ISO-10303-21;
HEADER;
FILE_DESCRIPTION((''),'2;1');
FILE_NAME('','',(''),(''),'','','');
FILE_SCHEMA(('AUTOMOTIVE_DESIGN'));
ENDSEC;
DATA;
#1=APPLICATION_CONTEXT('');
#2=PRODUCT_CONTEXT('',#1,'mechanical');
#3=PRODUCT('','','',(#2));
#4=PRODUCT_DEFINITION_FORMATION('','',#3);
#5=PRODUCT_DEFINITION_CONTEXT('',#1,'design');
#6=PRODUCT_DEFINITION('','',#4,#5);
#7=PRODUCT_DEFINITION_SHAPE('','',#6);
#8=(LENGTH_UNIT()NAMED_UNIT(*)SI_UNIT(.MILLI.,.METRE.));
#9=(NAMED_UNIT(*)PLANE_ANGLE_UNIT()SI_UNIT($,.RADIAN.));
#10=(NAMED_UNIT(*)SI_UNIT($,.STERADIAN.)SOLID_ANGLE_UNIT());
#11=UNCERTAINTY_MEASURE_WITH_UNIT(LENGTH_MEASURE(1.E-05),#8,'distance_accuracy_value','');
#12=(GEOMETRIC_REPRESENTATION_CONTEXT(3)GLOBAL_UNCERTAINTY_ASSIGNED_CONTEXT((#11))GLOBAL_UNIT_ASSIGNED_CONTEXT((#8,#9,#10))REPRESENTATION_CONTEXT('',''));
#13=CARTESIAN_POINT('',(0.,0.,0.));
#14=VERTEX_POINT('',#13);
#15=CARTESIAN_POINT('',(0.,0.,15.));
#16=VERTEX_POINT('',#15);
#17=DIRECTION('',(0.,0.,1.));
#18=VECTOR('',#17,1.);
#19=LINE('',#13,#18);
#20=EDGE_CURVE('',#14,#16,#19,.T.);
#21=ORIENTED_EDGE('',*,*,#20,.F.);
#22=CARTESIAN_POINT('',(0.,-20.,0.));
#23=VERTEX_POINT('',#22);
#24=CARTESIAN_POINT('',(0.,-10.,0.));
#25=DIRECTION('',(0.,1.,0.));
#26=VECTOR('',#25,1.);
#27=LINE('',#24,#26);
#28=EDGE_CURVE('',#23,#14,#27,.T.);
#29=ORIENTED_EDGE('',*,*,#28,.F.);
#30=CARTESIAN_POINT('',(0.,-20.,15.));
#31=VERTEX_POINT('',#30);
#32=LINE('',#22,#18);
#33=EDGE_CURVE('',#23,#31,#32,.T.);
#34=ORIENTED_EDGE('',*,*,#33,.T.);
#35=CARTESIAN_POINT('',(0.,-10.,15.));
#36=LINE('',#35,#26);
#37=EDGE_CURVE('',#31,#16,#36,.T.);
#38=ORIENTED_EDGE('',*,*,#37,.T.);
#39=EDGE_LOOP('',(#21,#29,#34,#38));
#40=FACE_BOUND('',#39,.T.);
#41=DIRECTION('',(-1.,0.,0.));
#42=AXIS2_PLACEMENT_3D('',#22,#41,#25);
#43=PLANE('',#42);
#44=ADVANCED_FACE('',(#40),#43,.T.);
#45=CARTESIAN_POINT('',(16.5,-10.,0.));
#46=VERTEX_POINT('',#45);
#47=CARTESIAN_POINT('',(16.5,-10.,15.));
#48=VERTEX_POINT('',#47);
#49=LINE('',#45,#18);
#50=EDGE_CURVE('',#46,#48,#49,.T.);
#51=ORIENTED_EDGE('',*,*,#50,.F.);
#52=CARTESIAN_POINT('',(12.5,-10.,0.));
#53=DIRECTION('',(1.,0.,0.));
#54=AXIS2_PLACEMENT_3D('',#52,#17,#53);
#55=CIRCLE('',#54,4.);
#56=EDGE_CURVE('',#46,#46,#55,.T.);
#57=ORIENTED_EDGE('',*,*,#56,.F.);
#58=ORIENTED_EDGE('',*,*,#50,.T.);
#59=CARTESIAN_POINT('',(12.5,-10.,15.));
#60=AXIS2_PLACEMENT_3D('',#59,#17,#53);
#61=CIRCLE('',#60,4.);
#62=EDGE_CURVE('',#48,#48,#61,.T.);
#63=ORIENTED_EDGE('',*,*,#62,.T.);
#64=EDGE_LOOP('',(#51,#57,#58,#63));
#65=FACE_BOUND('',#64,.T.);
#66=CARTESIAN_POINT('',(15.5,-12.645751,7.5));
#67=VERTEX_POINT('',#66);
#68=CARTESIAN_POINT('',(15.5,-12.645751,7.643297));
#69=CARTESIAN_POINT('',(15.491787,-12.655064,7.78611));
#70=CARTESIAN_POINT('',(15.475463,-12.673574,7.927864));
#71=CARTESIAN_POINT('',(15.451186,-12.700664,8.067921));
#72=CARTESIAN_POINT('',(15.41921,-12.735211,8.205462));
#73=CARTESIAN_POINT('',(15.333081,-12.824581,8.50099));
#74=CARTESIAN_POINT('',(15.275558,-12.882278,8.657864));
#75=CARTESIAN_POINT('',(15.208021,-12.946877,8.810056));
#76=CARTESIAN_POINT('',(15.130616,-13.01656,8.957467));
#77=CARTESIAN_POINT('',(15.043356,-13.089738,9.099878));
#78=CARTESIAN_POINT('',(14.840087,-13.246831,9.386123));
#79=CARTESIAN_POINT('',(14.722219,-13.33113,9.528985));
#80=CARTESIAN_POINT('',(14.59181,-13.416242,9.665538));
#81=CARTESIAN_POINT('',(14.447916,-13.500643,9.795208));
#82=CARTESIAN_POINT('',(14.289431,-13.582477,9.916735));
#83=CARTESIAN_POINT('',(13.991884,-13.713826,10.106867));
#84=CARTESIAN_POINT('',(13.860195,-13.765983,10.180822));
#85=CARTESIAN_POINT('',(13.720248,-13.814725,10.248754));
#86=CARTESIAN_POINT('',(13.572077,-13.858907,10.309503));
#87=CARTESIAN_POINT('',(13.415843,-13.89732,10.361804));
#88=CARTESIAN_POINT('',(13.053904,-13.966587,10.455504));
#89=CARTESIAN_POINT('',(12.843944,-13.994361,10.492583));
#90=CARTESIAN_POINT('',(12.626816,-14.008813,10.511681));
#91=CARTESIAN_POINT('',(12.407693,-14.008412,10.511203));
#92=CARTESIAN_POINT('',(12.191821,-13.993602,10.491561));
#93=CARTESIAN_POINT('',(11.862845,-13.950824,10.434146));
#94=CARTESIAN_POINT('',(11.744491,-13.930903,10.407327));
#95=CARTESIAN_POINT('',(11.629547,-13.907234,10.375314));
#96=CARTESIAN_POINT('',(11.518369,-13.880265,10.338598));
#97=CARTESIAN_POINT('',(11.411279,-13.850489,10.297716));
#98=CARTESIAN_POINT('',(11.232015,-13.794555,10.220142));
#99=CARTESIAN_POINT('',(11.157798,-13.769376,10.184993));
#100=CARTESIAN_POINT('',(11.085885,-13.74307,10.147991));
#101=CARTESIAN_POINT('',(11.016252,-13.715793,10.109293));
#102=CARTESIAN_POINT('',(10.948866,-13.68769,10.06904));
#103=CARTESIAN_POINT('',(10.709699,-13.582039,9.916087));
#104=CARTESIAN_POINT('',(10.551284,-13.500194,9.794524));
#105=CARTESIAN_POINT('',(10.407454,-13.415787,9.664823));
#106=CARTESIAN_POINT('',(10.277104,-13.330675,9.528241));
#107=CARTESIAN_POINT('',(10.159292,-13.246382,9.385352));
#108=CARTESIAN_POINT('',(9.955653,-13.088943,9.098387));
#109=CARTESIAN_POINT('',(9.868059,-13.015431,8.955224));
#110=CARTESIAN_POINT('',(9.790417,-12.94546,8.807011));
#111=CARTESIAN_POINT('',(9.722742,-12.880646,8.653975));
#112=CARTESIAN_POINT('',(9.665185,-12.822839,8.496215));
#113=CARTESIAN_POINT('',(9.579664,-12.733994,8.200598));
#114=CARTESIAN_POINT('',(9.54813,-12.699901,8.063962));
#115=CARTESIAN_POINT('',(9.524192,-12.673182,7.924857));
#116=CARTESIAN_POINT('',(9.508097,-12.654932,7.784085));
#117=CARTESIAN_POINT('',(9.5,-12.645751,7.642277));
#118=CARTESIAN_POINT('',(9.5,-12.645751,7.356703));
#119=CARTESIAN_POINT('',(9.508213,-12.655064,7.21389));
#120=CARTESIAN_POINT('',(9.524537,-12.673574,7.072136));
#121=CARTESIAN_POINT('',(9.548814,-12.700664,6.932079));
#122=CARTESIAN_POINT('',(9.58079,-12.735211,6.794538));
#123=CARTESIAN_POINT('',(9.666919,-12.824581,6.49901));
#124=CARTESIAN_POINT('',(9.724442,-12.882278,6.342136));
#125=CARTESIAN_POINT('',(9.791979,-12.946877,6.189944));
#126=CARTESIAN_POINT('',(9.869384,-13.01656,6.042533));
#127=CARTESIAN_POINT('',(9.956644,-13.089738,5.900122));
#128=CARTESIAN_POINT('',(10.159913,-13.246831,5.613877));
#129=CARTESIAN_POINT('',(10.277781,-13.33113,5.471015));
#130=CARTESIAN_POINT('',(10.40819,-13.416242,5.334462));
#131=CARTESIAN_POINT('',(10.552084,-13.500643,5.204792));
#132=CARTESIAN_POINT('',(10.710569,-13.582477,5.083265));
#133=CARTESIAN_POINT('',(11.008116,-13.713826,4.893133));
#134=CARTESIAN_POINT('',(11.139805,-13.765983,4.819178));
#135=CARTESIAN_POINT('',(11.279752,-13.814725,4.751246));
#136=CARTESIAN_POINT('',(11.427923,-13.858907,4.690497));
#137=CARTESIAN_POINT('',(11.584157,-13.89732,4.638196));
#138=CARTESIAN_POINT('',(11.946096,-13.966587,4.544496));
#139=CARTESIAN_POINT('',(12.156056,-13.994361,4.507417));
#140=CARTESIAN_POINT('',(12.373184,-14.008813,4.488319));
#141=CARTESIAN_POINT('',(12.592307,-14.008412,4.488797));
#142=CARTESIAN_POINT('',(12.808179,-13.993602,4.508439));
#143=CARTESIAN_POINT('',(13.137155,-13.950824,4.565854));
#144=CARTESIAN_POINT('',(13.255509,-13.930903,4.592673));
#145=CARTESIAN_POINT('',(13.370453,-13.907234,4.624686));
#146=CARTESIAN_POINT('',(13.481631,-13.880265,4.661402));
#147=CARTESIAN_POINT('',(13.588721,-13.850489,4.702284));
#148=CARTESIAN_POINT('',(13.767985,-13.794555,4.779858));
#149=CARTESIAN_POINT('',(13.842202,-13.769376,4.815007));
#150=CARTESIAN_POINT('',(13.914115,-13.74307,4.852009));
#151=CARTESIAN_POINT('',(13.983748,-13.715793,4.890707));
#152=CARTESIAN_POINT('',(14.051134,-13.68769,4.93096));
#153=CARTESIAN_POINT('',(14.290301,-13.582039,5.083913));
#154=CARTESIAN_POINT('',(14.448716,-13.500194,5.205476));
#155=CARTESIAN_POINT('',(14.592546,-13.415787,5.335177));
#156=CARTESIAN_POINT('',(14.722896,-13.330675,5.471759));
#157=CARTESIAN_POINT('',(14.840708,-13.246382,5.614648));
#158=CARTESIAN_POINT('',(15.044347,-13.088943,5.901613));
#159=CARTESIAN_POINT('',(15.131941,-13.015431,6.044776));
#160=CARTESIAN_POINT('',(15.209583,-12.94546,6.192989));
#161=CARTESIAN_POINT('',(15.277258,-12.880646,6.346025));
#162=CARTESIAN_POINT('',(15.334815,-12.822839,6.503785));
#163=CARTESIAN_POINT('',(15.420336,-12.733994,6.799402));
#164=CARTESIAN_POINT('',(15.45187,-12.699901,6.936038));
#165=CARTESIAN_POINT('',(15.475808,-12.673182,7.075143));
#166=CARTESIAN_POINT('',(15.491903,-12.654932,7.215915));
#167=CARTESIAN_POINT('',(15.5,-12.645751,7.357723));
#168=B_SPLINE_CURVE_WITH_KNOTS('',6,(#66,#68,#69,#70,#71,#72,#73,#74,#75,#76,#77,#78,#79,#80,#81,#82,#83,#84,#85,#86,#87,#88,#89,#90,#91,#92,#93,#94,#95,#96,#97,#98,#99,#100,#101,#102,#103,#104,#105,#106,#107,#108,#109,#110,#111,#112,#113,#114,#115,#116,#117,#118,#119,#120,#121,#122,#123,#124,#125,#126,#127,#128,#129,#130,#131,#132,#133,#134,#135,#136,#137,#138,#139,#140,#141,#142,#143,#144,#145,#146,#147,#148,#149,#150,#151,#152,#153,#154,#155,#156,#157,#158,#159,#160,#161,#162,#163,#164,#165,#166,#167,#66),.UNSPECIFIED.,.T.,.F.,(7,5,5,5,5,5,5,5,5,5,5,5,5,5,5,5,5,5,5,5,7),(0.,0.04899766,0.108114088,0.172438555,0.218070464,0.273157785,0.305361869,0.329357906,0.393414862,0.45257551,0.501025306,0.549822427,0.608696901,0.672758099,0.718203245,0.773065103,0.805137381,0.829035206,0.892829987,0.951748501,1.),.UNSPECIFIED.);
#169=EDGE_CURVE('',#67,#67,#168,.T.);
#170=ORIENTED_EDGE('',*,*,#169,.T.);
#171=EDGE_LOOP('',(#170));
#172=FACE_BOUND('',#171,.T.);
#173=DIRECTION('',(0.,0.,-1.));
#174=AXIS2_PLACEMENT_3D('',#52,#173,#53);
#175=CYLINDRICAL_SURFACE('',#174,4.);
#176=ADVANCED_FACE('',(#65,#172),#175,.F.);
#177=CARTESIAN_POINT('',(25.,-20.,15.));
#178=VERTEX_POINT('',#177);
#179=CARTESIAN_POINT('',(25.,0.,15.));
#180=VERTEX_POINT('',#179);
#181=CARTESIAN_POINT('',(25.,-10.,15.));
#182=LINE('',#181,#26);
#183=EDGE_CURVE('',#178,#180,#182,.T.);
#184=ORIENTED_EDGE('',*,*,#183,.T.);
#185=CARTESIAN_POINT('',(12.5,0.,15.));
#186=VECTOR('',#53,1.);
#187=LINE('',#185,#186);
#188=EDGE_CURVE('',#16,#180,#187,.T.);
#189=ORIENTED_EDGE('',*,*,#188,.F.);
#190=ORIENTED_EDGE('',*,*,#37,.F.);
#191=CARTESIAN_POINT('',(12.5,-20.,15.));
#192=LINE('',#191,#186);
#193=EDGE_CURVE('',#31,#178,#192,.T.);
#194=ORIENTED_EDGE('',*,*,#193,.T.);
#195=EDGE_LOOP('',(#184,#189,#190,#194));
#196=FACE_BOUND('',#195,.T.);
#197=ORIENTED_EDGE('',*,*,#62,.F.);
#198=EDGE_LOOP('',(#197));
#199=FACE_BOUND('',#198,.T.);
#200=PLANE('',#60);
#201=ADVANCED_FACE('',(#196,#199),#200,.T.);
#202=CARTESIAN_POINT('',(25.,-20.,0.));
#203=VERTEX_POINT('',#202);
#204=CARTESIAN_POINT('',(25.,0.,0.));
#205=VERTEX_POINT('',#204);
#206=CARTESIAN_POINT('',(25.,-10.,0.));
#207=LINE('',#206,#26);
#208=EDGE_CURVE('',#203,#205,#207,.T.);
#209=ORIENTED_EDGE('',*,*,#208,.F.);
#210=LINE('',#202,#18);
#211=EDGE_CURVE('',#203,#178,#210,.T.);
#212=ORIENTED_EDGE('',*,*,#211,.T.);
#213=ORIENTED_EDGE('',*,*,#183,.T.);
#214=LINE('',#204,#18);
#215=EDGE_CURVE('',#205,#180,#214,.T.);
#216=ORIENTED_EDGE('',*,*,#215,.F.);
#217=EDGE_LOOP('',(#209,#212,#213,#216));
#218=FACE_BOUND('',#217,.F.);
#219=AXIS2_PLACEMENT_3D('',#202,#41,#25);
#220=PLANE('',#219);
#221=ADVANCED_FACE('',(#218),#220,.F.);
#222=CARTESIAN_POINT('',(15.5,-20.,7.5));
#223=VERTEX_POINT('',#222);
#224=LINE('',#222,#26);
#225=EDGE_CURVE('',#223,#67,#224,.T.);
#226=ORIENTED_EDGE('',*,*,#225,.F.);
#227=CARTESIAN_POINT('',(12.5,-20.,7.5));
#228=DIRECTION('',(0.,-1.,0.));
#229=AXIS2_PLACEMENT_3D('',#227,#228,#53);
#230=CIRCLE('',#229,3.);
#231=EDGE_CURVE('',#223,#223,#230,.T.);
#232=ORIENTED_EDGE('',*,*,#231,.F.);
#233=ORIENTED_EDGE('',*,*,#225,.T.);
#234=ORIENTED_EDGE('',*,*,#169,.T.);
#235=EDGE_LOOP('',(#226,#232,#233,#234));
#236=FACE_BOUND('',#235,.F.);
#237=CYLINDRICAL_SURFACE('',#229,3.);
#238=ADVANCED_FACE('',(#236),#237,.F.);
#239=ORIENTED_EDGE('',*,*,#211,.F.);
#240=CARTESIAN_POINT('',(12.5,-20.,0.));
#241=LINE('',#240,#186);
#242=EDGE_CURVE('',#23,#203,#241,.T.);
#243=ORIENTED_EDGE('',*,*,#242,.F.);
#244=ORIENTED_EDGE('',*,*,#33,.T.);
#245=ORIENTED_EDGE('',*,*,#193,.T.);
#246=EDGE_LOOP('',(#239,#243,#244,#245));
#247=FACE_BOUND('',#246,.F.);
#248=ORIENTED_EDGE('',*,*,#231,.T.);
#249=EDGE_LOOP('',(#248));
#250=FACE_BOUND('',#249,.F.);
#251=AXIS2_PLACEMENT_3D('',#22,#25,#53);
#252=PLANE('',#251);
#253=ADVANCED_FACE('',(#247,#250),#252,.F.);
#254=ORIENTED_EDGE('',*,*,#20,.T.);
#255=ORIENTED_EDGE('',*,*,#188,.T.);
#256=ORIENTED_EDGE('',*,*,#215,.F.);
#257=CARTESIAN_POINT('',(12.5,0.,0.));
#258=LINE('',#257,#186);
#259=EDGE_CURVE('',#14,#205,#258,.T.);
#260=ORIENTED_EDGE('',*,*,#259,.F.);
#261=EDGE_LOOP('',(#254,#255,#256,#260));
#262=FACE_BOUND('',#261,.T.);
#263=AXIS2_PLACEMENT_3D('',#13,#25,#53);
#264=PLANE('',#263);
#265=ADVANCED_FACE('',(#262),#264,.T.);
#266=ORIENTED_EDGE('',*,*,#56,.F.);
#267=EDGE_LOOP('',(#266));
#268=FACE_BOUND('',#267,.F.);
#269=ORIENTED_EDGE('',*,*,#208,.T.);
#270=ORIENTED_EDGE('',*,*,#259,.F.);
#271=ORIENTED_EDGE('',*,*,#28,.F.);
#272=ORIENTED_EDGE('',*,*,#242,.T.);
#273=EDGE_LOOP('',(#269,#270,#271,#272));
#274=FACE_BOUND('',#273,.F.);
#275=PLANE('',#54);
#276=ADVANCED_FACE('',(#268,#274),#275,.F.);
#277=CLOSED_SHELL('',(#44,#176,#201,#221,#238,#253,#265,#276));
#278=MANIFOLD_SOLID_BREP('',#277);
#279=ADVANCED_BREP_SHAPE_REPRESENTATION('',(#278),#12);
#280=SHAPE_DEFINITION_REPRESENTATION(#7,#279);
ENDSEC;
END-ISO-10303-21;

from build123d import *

# Parameters (mm, degrees)
F0_W     = 25
F0_H     = 20
F0_R     = 4
F1_DEPTH = 15
F2_R     = 3
F3_DEPTH = 10


with BuildPart() as f1:
    # F0 (on Top) → F1 (new body)
    with BuildSketch(Plane.XY):
        with Locations((12.5, -10)):
            Rectangle(F0_W, F0_H)
        with Locations((12.5, -10)):
            Circle(F0_R, mode=Mode.SUBTRACT)
    extrude(amount=F1_DEPTH)

    # F2 (on face) → F3 (cut)
    with BuildSketch(Plane.XZ.offset(20)):
        with Locations((12.5, 7.5)):
            Circle(F2_R)
    extrude(amount=-F3_DEPTH, mode=Mode.SUBTRACT)


solid = f1.part
